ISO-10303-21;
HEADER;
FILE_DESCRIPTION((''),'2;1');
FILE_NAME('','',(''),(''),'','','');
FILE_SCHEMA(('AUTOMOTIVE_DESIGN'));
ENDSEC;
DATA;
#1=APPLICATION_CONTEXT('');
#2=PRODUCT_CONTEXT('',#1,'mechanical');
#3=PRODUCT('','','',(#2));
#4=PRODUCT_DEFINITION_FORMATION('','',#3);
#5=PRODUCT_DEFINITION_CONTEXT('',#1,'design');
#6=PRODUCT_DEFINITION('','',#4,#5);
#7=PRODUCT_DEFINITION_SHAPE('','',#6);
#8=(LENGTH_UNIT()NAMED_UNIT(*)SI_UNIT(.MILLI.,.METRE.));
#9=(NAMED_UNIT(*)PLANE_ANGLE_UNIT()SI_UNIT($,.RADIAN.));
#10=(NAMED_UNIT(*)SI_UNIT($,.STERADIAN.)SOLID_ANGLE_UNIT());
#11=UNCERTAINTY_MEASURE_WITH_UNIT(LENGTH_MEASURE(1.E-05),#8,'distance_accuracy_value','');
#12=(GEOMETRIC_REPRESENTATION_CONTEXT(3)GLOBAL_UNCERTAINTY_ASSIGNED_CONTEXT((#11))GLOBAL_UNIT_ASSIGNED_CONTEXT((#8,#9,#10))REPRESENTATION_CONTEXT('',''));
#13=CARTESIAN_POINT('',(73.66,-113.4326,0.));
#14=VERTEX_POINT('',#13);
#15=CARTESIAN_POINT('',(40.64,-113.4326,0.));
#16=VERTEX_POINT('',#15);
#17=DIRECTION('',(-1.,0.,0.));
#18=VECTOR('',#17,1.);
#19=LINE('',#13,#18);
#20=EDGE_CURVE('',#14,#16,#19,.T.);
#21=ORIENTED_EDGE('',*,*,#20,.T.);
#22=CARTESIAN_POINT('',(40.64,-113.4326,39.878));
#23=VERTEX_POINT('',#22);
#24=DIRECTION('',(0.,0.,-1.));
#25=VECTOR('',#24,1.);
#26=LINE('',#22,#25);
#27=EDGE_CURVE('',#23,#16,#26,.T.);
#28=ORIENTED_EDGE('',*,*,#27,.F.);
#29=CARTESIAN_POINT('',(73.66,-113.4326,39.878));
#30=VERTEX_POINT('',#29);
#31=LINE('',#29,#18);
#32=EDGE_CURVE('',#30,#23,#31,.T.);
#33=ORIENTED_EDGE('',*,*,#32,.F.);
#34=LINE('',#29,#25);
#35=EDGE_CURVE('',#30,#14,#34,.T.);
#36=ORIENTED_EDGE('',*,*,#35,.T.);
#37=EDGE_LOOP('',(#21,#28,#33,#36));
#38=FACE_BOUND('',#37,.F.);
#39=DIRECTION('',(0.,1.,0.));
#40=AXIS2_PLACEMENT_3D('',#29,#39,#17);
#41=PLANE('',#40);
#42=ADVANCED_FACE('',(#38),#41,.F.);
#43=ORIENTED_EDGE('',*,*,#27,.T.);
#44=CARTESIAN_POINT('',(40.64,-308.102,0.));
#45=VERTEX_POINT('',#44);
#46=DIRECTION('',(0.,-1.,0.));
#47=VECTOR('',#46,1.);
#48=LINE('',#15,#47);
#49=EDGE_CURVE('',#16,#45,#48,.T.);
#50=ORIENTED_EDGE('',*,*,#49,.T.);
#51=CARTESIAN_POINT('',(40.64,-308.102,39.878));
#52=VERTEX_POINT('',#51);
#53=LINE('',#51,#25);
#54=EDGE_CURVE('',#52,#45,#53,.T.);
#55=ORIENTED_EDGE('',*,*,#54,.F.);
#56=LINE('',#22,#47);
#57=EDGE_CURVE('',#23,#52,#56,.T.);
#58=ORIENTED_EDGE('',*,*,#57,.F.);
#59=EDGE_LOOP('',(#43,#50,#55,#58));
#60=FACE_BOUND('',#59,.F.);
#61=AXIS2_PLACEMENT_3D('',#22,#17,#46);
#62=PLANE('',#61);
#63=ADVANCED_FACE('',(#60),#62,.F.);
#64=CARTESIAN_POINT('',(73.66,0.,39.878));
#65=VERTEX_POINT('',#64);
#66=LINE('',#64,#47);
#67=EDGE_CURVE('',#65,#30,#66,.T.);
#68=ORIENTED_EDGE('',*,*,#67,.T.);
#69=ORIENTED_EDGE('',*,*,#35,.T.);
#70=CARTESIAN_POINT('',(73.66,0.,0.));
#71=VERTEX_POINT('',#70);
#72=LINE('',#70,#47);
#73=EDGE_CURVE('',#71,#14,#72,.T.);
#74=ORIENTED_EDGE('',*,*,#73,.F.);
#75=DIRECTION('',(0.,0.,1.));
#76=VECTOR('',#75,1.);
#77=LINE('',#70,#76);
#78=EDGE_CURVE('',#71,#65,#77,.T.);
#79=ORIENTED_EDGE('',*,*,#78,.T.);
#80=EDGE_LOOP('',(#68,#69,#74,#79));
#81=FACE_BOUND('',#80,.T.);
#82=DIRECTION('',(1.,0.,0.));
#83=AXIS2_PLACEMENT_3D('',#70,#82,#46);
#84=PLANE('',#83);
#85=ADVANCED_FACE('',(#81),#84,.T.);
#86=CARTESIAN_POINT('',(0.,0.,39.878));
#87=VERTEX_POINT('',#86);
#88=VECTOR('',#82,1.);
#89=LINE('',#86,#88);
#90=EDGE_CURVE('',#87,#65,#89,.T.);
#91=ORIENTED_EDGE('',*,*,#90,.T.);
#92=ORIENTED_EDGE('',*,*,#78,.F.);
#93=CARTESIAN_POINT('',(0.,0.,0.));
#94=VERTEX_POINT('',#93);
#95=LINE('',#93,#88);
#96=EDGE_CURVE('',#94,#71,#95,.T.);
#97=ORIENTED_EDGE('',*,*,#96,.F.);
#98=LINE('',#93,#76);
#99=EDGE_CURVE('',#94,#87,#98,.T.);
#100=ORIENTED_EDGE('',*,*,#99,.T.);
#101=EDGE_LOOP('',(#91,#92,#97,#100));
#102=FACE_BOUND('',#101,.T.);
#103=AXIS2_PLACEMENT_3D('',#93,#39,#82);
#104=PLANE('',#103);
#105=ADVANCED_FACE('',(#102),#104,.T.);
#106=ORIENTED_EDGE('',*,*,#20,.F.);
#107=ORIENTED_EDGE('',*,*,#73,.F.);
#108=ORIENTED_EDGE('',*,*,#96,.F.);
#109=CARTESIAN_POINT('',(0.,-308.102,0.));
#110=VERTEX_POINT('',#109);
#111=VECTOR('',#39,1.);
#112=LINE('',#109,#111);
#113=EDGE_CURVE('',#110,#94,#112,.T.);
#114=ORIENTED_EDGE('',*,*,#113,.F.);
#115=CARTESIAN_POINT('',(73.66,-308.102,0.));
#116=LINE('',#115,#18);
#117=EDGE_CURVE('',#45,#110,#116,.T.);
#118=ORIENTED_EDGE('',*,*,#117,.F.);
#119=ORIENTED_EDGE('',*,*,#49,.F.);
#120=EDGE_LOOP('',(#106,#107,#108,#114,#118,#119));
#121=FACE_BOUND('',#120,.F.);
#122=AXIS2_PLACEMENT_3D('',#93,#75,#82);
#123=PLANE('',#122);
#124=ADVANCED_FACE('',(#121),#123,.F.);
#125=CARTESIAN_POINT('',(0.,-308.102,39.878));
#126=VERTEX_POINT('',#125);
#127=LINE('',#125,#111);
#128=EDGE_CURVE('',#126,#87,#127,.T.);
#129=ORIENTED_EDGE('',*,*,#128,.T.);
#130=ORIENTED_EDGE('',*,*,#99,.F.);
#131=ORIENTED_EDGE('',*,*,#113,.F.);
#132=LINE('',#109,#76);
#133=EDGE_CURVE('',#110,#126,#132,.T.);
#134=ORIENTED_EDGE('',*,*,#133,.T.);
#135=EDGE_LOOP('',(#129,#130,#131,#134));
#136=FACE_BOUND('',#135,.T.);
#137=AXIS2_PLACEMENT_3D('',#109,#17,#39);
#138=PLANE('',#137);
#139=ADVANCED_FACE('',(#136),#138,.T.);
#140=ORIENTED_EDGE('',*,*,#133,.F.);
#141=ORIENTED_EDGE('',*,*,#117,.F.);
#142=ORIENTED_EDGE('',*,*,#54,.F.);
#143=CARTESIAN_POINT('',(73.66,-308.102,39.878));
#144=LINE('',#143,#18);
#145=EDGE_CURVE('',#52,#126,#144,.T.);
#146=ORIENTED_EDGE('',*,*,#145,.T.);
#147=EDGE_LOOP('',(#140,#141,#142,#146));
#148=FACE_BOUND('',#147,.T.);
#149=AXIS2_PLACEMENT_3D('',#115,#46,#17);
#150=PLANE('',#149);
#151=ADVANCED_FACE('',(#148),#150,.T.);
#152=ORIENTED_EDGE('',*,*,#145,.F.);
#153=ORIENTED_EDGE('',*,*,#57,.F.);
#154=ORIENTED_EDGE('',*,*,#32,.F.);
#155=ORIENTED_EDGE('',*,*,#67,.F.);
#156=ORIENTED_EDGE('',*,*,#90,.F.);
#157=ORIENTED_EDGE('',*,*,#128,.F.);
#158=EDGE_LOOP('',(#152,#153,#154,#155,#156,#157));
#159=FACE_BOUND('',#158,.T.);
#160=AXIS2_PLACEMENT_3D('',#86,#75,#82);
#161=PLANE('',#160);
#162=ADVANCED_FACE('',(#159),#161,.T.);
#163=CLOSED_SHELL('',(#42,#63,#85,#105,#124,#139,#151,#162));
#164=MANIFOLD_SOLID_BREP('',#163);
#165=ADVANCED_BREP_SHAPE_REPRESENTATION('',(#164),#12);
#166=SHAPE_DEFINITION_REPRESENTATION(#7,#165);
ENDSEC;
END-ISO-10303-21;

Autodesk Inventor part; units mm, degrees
ref_plane "YZ Plane" through (0, 0, 0) normal (1, 0, 0) x (0, 1, 0)
ref_plane "XZ Plane" through (0, 0, 0) normal (0, 1, 0) x (-1, 0, 0)
ref_plane "XY Plane" through (0, 0, 0) normal (0, 0, 1) x (1, 0, 0)
sketch "Sketch1" plane through (0, 0, 0) normal (0, 0, 1) x (1, 0, 0)
  line L0 (0, 0) -> (73.66, 0)
  line L1 (73.66, 0) -> (73.66, -308.102)
  line L2 (73.66, -308.102) -> (0, -308.102)
  line L3 (0, -308.102) -> (0, 0)
  dimension "d0" = 73.66
  dimension "d1" = 308.102
extrude "Extrusion1" add sketch "Sketch1" along normal blind 39.878
sketch "Sketch2" plane through (0, 0, 39.878) normal (0, 0, 1) x (1, 0, 0)
  line L0 (73.66, 0) -> (73.66, -96.266)
  line L1 (73.66, -308.102) -> (73.66, 0) projected
  line L2 (73.66, -96.266) -> (73.66, -308.102)
  line L3 (73.66, -308.102) -> (40.64, -308.102)
  line L4 (0, -308.102) -> (73.66, -308.102) projected
  line L5 (73.66, -113.4326) -> (40.64, -113.4326)
  line L6 (40.64, -113.4326) -> (40.64, -308.102)
  point P0 (0, 0)
  dimension "d4" = 96.266
  dimension "d5" = 33.02
  dimension "d6" = 33.02
extrude "Extrusion2" cut sketch "Sketch2" against normal blind 39.878
properties part number "Linear Actuator"
